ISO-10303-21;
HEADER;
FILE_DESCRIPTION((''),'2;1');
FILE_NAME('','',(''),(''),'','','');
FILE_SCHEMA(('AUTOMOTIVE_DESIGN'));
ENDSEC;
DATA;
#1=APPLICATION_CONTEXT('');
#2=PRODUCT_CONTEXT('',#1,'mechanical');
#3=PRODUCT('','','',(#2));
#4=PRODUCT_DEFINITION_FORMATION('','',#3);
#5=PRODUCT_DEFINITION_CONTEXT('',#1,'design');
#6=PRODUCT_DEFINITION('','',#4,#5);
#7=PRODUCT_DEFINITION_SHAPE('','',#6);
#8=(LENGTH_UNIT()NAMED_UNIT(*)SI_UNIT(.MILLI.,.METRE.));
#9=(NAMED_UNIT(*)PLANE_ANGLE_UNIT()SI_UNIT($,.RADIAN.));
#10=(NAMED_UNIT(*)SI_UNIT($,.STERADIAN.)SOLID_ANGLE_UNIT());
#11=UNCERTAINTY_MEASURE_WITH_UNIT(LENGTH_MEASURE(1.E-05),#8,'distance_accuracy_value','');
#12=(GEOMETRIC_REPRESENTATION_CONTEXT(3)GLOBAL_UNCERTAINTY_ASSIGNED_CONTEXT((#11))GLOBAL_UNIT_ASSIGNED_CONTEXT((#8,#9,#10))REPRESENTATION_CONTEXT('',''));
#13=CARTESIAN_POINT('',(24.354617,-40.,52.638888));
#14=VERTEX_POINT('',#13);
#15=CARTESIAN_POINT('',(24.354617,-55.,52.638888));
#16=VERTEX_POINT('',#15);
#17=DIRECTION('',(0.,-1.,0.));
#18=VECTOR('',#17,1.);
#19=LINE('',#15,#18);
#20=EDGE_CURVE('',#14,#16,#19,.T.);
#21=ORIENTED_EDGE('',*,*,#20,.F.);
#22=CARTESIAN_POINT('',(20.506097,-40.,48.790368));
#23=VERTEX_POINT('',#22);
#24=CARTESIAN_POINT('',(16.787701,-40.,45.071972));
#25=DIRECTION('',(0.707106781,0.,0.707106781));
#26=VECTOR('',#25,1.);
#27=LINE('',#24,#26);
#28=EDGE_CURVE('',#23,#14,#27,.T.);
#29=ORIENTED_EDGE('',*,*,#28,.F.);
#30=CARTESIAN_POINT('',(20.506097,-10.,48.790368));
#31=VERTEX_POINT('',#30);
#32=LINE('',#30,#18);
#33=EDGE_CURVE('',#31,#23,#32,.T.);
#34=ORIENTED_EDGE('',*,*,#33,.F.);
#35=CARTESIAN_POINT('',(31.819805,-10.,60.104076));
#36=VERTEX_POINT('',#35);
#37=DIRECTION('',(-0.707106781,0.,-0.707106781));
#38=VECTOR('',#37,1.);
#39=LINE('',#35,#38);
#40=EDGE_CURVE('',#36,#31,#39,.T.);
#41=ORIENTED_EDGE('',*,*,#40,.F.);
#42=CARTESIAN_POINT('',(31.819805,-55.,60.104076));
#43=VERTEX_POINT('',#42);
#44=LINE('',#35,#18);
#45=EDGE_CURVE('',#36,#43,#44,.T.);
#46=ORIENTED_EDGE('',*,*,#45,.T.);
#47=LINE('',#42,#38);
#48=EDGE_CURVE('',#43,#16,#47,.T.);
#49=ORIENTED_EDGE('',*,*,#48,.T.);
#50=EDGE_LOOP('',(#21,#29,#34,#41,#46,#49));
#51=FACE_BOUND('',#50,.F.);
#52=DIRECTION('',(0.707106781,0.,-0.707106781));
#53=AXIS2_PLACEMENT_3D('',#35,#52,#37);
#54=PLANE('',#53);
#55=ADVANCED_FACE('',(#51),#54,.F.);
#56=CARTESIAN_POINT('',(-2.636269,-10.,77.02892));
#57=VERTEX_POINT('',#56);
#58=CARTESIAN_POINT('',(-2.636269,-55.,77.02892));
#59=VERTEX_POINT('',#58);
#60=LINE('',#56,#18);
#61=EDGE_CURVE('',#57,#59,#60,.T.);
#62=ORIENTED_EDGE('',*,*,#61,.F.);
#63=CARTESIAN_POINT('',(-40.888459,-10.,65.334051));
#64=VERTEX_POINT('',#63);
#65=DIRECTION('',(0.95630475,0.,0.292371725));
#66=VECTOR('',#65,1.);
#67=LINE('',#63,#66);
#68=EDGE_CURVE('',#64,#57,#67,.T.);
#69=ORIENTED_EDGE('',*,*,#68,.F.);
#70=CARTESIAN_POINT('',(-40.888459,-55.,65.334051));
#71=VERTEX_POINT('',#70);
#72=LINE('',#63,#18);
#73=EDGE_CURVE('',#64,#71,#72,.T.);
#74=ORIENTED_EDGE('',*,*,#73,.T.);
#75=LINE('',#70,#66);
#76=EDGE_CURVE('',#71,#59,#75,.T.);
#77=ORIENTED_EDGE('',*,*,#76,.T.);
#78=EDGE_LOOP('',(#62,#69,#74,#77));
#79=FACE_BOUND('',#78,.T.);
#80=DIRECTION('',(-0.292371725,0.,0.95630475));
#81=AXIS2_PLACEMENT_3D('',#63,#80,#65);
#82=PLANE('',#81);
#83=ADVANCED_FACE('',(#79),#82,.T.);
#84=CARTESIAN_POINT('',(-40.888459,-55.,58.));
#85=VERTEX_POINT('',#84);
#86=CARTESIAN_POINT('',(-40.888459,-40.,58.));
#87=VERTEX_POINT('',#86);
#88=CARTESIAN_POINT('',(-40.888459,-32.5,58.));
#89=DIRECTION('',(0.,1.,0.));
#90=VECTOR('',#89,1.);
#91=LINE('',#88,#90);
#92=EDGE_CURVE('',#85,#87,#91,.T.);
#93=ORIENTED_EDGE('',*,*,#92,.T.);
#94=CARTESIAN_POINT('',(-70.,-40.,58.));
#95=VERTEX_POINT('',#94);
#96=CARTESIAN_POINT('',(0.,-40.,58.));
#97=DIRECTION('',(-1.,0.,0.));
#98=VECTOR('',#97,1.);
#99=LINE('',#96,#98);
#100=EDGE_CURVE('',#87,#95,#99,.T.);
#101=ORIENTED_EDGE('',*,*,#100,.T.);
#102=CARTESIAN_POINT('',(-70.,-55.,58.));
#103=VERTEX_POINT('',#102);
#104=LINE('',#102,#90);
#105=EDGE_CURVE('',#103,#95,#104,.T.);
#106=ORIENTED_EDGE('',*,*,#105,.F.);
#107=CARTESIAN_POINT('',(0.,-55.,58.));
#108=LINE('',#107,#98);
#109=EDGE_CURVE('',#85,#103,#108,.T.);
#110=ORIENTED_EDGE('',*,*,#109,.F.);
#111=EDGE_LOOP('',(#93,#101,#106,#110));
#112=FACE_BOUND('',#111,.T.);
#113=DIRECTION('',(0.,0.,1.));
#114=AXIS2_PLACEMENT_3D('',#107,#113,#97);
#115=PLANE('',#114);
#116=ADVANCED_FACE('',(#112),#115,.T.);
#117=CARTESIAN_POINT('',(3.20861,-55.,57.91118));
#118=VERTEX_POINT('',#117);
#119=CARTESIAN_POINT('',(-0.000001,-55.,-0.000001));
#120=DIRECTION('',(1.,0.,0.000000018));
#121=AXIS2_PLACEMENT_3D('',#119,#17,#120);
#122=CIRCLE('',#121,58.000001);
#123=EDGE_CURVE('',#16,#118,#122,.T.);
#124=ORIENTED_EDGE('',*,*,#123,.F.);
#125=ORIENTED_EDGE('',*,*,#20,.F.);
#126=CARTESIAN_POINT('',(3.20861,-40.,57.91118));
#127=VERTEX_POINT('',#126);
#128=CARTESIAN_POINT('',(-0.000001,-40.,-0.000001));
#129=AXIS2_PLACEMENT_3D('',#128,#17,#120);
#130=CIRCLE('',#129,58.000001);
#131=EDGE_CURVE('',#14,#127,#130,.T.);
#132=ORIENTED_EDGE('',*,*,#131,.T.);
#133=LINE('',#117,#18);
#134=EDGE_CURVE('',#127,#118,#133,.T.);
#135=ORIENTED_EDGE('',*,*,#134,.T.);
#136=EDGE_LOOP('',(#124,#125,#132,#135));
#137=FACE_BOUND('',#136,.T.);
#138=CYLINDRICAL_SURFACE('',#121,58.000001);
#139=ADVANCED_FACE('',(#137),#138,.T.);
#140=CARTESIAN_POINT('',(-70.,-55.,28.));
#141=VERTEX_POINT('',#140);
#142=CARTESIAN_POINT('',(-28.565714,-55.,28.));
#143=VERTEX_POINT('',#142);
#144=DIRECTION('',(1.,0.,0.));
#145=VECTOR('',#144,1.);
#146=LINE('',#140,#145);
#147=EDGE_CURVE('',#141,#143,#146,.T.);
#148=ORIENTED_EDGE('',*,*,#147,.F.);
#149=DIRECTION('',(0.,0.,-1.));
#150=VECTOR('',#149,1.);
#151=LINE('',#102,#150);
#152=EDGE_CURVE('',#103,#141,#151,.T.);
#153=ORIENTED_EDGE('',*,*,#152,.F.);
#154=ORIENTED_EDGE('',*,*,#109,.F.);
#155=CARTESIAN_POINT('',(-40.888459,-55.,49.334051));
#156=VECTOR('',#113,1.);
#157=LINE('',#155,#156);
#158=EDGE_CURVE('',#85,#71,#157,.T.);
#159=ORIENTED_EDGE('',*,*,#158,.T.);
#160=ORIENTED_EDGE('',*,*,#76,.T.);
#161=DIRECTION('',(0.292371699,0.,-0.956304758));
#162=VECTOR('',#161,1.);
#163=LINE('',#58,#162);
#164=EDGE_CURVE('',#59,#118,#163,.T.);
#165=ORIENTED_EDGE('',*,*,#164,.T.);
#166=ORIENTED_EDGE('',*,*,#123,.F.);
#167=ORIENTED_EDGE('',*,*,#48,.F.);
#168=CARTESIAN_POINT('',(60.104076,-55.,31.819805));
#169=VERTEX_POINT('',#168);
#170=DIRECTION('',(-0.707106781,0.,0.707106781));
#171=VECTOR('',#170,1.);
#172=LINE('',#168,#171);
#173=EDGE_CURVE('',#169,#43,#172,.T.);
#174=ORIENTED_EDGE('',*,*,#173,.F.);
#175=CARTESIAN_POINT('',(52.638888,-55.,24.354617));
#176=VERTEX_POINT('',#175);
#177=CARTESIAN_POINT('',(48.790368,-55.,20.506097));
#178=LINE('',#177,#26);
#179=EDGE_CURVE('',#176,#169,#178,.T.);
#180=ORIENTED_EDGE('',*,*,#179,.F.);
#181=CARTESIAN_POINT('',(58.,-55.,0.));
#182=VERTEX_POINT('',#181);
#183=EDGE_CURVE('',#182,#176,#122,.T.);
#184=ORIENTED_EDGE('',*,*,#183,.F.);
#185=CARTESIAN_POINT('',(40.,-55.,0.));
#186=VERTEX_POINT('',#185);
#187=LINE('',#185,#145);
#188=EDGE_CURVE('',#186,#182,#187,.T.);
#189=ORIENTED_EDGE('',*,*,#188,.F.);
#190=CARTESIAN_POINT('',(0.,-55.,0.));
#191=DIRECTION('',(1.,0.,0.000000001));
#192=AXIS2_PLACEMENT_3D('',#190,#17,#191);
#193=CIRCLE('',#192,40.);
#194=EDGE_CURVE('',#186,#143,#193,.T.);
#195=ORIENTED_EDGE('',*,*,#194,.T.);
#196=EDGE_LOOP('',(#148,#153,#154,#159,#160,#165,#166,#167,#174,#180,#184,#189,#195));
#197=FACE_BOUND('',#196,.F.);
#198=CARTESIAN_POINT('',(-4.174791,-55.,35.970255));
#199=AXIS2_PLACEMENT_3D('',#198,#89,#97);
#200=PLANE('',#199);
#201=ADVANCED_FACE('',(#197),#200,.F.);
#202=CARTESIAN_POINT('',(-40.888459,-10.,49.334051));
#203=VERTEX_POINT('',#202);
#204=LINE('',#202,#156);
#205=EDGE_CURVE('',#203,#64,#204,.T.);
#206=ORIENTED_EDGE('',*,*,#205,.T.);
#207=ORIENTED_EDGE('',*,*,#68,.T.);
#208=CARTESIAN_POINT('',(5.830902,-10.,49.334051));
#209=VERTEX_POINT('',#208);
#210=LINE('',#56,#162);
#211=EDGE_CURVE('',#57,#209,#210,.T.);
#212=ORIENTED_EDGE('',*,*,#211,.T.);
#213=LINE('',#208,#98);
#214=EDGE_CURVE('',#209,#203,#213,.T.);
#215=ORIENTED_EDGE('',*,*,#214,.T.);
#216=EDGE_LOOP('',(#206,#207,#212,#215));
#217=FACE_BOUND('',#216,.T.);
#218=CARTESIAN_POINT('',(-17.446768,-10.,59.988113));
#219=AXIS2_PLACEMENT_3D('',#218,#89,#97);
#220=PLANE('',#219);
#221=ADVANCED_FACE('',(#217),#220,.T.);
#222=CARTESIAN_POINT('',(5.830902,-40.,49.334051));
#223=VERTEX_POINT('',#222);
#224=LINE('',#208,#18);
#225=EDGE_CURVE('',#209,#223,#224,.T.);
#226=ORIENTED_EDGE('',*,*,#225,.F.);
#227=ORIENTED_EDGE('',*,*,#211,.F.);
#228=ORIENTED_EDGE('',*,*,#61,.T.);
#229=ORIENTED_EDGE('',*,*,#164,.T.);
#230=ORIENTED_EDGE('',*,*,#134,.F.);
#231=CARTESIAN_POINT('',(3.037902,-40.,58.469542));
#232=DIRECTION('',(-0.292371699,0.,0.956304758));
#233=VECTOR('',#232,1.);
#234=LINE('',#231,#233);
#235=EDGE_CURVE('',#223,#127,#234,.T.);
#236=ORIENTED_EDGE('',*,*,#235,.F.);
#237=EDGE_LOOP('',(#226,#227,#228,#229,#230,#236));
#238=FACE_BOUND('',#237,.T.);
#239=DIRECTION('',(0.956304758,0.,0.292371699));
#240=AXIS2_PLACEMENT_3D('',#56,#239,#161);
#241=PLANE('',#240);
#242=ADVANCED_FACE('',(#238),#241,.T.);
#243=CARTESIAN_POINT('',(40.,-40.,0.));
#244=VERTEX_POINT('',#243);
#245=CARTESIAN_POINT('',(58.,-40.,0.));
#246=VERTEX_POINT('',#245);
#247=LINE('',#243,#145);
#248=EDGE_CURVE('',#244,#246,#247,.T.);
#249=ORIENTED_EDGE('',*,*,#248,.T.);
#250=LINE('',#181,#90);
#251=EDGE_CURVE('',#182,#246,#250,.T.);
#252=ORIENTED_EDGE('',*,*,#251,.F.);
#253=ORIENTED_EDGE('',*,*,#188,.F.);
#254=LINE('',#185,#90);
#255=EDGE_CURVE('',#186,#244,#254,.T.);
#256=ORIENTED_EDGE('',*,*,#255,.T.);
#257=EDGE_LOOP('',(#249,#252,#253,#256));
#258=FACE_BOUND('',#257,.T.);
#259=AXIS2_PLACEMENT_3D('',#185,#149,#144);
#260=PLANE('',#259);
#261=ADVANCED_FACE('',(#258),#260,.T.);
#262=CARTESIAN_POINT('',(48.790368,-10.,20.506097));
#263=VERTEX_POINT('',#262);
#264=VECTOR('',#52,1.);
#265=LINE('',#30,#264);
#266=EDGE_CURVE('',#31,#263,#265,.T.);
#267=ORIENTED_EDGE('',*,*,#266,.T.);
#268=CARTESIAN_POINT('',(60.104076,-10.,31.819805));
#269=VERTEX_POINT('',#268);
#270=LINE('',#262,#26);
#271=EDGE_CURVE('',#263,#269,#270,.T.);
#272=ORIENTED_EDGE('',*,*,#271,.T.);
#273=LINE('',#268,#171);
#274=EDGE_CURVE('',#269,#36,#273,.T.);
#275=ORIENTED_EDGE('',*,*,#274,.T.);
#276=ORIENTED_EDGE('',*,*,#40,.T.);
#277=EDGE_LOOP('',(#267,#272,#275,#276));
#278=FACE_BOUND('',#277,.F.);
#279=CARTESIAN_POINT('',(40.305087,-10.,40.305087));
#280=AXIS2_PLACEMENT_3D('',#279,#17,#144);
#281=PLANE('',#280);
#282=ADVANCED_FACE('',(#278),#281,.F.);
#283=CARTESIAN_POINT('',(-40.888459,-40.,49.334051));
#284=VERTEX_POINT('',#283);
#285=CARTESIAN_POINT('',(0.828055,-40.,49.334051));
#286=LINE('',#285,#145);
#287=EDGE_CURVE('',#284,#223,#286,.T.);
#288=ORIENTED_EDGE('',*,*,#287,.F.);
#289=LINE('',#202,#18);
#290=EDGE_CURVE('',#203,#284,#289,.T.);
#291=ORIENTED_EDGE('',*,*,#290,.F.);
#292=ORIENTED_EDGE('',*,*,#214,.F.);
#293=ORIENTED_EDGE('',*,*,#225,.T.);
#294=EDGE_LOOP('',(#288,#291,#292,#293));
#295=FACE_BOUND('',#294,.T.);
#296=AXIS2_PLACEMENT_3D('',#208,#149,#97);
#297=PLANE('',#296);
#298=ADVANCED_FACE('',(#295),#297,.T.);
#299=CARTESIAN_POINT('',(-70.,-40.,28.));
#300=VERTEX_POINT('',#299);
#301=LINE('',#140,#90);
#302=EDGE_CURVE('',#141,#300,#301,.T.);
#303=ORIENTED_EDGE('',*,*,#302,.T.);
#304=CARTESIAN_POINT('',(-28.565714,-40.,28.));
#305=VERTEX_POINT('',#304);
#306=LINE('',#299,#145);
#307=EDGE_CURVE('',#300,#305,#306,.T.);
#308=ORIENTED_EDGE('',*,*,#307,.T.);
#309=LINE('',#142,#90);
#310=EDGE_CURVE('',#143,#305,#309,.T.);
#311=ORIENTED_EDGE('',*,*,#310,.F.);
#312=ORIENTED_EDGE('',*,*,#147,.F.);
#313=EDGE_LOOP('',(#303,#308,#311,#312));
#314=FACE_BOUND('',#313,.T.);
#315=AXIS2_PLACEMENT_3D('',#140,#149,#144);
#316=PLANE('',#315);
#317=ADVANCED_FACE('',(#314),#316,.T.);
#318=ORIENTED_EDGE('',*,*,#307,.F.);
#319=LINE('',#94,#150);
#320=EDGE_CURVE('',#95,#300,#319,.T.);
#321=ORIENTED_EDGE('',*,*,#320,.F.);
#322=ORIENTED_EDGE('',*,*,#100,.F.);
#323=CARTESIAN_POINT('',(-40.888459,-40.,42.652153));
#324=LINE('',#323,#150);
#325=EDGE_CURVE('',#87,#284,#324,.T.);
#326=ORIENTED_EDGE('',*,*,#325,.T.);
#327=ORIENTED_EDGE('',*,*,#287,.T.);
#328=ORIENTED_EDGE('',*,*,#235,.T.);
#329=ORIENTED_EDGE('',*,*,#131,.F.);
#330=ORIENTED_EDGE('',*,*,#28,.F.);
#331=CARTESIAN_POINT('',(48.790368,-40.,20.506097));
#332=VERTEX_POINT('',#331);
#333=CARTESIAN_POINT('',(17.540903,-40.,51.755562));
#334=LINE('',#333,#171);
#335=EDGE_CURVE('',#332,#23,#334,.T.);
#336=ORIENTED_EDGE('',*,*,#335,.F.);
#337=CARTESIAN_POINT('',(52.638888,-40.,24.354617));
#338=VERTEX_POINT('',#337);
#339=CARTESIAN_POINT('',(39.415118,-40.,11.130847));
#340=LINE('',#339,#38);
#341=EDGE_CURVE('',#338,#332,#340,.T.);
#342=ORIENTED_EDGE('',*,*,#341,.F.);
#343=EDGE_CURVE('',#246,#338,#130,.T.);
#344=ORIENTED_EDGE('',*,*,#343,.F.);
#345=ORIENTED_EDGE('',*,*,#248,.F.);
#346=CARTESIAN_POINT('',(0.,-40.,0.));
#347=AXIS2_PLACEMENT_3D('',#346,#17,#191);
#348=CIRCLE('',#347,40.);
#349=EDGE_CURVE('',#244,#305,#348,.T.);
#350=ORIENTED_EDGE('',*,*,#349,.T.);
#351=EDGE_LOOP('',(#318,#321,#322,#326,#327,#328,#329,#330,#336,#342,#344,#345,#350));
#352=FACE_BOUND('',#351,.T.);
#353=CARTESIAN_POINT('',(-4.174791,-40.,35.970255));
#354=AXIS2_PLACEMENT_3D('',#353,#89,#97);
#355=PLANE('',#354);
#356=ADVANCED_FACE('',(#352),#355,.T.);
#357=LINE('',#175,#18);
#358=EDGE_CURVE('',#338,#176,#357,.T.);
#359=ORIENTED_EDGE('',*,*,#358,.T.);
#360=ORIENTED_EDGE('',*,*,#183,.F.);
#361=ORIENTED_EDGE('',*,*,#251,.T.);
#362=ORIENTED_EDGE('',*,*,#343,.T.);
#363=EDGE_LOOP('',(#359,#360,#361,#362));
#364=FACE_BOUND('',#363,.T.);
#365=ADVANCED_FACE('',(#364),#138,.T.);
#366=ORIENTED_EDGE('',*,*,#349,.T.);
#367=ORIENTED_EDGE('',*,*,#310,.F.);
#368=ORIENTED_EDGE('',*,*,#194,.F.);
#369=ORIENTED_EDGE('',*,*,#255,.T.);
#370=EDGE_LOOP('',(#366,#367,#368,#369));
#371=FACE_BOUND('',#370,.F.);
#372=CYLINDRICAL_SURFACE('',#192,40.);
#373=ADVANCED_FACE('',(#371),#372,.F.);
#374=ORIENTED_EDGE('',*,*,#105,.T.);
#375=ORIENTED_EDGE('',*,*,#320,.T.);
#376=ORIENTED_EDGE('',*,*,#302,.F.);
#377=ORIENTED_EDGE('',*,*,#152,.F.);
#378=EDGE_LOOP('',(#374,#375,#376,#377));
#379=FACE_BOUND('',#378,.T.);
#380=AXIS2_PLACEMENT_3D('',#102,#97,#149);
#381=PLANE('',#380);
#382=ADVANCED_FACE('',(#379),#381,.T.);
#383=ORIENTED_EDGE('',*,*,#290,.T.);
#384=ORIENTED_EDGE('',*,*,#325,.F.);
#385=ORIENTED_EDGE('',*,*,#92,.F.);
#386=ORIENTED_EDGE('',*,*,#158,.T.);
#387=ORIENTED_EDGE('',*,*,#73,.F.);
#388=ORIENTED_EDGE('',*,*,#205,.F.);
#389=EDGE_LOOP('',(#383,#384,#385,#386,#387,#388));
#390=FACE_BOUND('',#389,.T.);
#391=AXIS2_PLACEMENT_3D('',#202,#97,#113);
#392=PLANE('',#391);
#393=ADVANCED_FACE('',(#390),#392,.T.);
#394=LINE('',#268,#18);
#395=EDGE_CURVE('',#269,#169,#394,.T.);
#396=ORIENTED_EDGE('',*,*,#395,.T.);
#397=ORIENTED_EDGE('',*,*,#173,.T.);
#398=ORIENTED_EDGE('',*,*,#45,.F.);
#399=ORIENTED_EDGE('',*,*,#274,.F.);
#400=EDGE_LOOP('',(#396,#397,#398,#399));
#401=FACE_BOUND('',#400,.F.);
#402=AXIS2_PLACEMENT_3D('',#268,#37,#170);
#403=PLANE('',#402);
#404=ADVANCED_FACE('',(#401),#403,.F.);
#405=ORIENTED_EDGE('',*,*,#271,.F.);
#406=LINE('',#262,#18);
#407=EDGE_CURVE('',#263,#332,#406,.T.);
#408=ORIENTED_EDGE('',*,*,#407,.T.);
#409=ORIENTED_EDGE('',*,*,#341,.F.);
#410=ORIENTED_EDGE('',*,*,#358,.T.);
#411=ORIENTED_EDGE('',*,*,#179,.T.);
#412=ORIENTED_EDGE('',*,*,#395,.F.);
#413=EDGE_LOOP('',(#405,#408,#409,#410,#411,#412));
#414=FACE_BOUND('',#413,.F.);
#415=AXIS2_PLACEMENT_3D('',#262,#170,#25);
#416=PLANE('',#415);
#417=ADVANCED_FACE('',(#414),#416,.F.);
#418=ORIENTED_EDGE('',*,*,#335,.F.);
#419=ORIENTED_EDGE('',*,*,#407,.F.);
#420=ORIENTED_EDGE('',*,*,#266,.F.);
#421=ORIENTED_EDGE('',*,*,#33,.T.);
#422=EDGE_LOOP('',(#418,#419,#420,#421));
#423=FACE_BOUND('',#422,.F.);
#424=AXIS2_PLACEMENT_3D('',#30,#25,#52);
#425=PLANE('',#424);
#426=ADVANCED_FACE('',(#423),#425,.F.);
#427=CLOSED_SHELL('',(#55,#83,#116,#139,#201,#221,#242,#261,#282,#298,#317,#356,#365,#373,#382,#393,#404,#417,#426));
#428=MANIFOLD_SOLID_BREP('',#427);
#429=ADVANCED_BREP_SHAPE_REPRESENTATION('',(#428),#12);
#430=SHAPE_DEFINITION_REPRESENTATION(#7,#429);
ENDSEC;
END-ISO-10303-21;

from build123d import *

# Parameters (mm, degrees)
PAD_DEPTH    = 45
PAD001_DEPTH = 15


with BuildPart() as part:
    # Sketch001 → Pad (new body)
    with BuildSketch(Plane.XZ.offset(10)):
        Polygon((-40.888459, 65.334051), (-2.636269, 77.02892), (5.830902, 49.334051), (-40.888459, 49.334051), align=None)
        Polygon((20.506097, 48.790368), (48.790368, 20.506097), (60.104076, 31.819805), (31.819805, 60.104076), align=None)
    extrude(amount=PAD_DEPTH)

    # Sketch → Pad001 (new body)
    with BuildSketch(Plane.XZ.offset(55)):
        with BuildLine():
            ThreePointArc((40, 0), (15.122358, 37.031261), (-28.565714, 28))
            Line((-70, 28), (-28.565714, 28))
            Line((-70, 58), (-70, 28))
            Line((0, 58), (-70, 58))
            ThreePointArc((58, 0), (41.012193, 41.012193), (0, 58))
            Line((40, 0), (58, 0))
        make_face()
    extrude(amount=-PAD001_DEPTH)


solid = part.part
